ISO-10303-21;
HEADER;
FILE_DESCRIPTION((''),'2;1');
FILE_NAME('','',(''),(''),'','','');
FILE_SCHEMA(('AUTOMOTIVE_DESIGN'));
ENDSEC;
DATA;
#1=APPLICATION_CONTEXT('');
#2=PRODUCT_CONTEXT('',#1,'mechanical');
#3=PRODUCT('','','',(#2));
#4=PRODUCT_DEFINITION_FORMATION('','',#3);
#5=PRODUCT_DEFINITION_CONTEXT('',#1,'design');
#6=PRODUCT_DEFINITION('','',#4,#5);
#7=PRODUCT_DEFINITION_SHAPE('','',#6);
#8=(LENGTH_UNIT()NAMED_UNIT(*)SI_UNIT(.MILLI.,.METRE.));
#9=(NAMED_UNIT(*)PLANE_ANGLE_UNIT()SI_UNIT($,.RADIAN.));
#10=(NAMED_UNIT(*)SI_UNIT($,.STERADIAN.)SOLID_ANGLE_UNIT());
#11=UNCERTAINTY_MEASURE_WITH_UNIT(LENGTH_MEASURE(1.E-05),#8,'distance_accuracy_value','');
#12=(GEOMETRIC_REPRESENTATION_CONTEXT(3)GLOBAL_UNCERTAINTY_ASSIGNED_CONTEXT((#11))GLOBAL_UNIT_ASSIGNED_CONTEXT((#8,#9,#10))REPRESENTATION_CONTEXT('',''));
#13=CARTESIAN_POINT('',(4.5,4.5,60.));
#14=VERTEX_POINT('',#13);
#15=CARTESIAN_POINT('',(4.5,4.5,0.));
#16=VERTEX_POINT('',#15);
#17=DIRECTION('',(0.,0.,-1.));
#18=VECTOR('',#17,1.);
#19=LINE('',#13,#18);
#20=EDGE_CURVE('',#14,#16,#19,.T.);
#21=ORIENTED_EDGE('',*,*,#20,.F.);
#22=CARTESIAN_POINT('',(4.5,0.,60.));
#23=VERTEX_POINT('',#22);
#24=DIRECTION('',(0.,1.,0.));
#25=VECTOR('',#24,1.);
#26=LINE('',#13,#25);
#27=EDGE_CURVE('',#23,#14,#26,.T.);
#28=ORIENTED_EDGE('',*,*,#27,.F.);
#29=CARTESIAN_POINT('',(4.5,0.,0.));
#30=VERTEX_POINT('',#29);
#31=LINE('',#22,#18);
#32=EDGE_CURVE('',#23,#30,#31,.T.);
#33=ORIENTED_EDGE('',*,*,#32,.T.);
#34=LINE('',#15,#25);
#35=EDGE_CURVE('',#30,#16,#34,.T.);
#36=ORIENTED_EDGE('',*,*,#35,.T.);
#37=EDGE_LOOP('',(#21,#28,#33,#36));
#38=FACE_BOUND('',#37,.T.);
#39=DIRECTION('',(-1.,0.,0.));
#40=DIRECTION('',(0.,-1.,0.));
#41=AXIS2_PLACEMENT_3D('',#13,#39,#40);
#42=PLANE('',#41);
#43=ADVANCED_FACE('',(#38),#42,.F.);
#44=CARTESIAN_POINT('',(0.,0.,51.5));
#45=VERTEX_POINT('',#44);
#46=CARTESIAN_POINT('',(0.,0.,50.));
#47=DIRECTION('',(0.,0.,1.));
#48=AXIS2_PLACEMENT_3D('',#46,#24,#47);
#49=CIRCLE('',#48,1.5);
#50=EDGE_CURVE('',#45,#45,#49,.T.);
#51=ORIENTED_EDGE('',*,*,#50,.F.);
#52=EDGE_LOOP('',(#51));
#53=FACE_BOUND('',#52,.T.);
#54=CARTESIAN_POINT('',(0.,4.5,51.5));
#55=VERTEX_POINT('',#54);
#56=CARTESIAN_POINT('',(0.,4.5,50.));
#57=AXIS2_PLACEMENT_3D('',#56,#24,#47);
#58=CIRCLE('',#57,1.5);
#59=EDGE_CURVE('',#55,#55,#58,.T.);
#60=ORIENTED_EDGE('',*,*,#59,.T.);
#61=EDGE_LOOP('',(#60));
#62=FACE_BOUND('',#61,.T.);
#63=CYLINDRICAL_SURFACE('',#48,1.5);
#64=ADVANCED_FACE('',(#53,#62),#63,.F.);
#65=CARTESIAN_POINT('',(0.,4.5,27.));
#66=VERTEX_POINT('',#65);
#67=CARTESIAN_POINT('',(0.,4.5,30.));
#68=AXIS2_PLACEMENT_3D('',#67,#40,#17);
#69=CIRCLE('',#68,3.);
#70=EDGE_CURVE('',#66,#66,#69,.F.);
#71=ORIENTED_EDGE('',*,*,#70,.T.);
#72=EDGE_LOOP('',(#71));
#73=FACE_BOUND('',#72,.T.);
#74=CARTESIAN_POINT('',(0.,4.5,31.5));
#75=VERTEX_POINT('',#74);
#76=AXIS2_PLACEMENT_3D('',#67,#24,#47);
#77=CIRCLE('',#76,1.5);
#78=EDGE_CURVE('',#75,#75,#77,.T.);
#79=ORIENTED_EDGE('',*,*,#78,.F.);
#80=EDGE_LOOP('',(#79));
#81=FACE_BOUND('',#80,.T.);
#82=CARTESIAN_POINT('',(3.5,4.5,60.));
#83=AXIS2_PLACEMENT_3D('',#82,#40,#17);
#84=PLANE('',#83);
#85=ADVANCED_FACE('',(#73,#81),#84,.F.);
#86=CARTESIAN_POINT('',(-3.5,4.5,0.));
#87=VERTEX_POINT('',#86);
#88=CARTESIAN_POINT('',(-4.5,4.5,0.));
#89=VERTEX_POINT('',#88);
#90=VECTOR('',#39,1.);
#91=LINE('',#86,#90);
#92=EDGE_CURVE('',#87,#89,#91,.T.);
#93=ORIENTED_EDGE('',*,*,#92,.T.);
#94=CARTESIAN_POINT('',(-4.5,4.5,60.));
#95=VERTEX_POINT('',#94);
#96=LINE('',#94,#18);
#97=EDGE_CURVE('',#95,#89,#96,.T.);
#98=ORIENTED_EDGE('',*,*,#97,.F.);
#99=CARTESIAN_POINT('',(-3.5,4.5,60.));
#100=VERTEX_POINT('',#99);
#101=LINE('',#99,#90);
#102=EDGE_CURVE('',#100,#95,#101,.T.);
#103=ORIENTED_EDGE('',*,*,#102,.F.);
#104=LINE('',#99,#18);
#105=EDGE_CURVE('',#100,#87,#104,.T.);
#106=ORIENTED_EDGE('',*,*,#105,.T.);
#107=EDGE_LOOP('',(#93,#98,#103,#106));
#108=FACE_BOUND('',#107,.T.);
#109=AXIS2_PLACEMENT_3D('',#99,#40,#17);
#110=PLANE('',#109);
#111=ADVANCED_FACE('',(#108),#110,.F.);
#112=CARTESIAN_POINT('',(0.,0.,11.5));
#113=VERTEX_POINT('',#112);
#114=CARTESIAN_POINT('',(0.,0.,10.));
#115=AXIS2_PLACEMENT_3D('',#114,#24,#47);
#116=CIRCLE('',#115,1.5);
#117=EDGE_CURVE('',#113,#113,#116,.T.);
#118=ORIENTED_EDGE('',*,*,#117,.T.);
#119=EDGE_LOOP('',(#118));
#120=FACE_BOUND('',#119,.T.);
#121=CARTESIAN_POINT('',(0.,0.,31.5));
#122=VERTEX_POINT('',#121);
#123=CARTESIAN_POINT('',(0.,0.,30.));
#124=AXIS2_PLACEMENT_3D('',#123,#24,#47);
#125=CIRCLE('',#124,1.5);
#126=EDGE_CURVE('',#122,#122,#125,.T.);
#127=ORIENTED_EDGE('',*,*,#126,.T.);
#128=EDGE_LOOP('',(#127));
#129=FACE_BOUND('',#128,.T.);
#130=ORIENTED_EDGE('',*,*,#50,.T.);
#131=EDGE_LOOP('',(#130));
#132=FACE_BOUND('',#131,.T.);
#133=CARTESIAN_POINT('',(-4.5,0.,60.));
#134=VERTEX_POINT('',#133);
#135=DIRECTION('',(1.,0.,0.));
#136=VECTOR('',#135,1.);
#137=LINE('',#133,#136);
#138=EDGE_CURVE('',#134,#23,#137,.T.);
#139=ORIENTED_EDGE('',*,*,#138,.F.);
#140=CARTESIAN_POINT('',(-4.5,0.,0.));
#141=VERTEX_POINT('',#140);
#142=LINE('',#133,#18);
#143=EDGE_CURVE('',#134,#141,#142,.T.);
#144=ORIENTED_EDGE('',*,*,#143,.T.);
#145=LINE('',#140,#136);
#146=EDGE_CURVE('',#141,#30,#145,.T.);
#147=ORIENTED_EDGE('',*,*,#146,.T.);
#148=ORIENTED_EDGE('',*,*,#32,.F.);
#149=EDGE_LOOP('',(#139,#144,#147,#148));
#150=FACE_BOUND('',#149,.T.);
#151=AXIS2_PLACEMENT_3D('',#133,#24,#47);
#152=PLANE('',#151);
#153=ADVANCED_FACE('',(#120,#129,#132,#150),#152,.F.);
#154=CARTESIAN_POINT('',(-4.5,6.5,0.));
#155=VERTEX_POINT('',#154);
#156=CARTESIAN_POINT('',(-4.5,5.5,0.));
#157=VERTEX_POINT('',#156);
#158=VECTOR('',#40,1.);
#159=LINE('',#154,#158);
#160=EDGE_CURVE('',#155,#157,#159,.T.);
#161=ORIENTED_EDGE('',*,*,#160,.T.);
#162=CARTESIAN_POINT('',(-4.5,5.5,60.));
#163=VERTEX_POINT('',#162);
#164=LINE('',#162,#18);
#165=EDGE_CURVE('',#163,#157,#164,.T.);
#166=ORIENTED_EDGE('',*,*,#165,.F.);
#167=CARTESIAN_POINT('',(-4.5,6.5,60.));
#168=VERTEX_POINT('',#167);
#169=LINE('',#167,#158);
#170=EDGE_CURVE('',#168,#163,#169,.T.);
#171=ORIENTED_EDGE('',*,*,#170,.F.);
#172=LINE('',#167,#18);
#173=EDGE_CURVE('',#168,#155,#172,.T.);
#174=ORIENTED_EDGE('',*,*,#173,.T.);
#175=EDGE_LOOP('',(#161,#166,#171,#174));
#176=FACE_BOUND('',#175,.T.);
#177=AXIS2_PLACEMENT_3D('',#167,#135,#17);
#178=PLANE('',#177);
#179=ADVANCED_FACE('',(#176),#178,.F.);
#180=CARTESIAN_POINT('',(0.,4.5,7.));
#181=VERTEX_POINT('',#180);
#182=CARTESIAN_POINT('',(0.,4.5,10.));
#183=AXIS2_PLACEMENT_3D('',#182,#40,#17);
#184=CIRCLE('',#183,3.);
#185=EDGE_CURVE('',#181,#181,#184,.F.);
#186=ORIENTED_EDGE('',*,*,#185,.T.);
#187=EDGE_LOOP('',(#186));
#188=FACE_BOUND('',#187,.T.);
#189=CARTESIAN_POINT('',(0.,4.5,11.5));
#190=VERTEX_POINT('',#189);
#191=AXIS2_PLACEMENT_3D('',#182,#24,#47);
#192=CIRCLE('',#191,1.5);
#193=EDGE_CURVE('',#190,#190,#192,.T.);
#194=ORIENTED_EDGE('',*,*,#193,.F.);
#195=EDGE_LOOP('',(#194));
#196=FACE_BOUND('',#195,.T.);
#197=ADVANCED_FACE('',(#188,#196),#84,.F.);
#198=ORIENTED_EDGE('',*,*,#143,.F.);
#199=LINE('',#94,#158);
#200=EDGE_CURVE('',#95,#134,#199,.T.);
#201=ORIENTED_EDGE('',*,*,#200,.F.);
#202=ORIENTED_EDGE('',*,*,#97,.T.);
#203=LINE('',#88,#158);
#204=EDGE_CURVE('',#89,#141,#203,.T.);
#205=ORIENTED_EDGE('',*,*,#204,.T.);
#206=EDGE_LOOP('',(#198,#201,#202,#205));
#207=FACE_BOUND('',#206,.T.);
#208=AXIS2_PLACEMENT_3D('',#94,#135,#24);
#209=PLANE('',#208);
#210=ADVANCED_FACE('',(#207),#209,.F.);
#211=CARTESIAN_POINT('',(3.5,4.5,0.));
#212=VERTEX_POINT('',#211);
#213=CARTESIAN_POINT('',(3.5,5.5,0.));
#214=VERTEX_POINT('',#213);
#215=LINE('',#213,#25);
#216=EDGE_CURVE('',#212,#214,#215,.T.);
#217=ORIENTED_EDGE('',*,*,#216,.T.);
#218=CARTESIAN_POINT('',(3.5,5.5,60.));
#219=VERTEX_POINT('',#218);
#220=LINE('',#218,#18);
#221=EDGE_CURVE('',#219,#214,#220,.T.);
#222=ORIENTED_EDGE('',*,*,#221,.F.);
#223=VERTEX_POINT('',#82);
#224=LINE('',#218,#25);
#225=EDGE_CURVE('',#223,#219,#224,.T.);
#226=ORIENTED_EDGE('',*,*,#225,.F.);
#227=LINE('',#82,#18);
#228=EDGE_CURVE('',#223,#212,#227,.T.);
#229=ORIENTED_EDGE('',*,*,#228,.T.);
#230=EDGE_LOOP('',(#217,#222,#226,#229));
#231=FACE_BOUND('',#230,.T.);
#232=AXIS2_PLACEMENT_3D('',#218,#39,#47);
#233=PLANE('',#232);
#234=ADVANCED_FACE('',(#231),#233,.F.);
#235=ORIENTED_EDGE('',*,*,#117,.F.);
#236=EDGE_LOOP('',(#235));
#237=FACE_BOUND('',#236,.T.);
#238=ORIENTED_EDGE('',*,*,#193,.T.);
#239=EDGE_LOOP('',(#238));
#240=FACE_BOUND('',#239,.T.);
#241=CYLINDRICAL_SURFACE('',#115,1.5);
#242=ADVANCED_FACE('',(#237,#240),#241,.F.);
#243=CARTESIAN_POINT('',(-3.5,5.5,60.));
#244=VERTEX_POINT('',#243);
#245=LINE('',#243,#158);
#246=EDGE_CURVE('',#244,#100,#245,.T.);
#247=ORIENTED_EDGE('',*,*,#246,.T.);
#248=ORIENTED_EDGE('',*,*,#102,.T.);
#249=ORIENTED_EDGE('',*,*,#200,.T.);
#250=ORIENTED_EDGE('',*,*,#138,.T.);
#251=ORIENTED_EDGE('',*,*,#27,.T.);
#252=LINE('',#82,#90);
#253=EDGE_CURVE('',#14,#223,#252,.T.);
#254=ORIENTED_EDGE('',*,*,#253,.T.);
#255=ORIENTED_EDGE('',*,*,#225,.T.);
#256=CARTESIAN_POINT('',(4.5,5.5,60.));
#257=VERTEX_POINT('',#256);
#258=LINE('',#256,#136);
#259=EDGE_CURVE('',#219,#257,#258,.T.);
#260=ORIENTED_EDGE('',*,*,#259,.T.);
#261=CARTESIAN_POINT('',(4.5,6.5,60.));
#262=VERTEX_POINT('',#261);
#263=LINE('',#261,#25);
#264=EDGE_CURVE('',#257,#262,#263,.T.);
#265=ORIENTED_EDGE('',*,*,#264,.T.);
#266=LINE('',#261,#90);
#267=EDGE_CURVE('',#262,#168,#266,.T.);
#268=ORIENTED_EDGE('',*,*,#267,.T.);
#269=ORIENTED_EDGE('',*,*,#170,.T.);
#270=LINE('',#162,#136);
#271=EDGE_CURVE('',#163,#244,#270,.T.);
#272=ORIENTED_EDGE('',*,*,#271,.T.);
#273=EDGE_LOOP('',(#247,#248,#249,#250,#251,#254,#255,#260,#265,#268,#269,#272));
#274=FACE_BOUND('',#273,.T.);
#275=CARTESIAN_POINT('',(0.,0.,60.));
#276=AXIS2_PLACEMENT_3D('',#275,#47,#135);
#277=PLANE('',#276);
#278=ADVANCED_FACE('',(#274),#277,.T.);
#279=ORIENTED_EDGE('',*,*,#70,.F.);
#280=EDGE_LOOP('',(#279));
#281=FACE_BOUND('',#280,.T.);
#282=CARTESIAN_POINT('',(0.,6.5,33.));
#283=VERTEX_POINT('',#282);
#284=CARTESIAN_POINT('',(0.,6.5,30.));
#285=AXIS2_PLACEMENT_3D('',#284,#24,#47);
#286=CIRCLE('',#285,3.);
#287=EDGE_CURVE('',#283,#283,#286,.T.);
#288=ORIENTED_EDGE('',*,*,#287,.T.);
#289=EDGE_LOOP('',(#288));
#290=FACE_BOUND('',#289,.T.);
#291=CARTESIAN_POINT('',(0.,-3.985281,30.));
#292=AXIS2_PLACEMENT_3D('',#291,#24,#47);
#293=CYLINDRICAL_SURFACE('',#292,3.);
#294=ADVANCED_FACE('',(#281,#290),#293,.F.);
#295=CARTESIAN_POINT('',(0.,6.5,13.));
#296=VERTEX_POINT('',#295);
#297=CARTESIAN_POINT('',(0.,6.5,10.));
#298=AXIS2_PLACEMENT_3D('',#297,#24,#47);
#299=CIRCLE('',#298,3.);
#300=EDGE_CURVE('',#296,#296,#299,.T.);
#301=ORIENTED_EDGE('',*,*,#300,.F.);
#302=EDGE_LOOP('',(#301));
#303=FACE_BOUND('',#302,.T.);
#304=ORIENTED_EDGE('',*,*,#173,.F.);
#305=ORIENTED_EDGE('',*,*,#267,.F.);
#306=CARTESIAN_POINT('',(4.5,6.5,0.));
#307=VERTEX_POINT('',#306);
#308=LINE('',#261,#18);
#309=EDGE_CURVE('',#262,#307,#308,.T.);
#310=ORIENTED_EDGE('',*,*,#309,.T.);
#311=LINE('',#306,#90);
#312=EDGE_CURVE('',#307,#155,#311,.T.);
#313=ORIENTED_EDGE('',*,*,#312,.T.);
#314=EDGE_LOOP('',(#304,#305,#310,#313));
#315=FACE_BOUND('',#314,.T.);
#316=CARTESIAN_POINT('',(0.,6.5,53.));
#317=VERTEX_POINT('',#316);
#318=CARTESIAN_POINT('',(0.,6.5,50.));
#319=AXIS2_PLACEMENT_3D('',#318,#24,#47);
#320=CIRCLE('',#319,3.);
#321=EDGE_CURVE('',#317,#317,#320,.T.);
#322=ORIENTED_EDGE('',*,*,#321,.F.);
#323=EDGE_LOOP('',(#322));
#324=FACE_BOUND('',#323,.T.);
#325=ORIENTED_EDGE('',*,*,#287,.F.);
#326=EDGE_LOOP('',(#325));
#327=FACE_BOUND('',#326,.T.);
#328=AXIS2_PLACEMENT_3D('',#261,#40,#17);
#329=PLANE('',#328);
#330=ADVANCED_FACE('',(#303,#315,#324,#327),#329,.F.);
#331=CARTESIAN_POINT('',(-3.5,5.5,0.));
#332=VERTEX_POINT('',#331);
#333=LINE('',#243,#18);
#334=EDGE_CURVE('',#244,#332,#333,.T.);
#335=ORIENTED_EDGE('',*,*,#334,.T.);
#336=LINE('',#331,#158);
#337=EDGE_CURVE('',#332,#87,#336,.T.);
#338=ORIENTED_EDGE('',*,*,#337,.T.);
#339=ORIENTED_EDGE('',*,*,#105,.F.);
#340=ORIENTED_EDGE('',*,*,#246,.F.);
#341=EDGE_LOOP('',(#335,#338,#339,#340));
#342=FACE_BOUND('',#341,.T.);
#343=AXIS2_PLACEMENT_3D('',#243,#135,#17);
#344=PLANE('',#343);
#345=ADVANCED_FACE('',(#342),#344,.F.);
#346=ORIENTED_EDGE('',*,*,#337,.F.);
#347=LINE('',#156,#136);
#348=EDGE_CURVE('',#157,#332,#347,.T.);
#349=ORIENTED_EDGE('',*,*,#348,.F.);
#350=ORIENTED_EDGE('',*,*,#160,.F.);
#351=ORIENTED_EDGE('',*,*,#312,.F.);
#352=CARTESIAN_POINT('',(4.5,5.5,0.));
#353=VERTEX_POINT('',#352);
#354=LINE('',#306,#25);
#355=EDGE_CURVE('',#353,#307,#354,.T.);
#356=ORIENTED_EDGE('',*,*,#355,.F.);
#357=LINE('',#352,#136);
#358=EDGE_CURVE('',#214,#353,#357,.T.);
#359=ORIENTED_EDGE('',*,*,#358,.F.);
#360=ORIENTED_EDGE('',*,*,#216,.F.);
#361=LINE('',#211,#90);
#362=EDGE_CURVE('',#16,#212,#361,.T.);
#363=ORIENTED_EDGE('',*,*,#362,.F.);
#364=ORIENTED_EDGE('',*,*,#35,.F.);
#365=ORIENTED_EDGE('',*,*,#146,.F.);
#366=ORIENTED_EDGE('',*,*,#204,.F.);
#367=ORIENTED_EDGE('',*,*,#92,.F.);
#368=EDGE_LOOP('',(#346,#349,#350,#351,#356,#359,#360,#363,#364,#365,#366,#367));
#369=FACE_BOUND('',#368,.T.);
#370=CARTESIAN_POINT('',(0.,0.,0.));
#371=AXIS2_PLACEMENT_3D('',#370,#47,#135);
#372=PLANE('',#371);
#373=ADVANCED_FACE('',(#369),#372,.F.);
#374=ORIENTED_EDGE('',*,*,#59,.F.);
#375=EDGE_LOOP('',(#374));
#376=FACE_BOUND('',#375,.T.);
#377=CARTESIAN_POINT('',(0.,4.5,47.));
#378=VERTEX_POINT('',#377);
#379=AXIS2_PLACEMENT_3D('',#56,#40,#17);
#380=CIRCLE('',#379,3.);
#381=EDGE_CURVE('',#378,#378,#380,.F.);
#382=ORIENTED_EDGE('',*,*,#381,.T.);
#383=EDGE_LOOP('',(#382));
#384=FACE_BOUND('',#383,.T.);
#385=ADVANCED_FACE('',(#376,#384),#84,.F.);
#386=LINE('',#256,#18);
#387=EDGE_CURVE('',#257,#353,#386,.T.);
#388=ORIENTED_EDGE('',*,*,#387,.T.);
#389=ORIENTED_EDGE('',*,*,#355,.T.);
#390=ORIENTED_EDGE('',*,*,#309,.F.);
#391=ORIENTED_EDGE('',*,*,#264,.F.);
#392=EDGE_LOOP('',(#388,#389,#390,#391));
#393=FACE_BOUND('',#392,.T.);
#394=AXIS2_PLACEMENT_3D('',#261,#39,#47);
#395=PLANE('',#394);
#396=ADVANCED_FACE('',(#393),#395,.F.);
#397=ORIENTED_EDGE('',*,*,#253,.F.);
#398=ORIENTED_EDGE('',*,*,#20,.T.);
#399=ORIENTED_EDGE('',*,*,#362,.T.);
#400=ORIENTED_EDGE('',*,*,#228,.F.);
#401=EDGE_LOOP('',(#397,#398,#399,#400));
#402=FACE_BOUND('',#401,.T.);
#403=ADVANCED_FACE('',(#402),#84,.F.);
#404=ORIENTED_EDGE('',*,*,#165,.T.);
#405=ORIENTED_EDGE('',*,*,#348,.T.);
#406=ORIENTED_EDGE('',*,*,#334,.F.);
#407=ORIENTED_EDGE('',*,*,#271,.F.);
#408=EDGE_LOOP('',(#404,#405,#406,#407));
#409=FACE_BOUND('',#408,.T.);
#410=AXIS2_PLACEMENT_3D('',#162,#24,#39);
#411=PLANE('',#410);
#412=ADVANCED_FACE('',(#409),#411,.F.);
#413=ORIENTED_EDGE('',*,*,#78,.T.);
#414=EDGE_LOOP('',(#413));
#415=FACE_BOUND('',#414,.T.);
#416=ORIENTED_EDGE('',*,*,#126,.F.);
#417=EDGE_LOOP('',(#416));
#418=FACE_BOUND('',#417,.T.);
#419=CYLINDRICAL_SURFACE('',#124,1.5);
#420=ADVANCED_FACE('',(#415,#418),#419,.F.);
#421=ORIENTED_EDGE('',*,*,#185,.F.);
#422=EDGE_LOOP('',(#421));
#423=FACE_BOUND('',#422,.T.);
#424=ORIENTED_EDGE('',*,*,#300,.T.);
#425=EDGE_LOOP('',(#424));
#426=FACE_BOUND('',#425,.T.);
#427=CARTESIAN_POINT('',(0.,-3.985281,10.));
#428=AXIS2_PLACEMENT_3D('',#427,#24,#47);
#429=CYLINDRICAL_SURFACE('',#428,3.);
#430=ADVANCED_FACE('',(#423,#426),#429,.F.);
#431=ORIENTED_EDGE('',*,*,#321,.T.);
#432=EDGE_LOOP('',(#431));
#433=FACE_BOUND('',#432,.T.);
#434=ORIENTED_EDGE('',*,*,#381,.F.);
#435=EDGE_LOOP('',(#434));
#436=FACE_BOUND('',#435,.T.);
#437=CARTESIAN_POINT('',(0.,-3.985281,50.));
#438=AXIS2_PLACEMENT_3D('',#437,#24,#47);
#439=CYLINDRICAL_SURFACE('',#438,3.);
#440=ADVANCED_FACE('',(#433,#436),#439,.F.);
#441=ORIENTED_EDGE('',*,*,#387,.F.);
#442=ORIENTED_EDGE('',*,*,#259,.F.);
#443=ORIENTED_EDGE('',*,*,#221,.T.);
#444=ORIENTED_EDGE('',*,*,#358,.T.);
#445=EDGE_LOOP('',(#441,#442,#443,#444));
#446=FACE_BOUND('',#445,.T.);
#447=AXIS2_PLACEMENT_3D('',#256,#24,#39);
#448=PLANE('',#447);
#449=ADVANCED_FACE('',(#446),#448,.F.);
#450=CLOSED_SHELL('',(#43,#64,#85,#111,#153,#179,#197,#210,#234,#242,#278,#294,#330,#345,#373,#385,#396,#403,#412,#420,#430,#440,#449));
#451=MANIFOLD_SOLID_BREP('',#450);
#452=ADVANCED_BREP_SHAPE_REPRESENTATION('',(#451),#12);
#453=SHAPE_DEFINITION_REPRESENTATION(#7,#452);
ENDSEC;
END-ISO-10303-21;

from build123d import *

# Parameters (mm, degrees)
EXTRUDE1_DEPTH = 60
SKETCH2_R      = 3
EXTRUDE2_DEPTH = 2
SKETCH3_R      = 1.5
EXTRUDE4_DEPTH = 61.336556083


with BuildPart() as part:
    # Sketch1 → Extrude1 (new body)
    with BuildSketch(Plane.XY):
        Polygon((4.5, 6.5), (-4.5, 6.5), (-4.5, 5.5), (-3.5, 5.5), (-3.5, 4.5), (-4.5, 4.5), (-4.5, 0), (4.5, 0), (4.5, 4.5), (3.5, 4.5), (3.5, 5.5), (4.5, 5.5), align=None)
    extrude(amount=EXTRUDE1_DEPTH)

    # Sketch2 → Extrude2 (cut)
    with BuildSketch(Plane(origin=(0, 6.5, 0), x_dir=(1, 0, 0), z_dir=(0, 1, 0))):
        with Locations(Location((0, -10, 0), (0, 0, 270))):
            Circle(SKETCH2_R)
        with Locations(Location((0, -30, 0), (0, 0, 270))):
            Circle(SKETCH2_R)
        with Locations(Location((0, -50, 0), (0, 0, 270))):
            Circle(SKETCH2_R)
        with Locations((0, -70)):
            Circle(SKETCH2_R)
        with Locations((0, -90)):
            Circle(SKETCH2_R)
        with Locations((0, -110)):
            Circle(SKETCH2_R)
        with Locations((0, -130)):
            Circle(SKETCH2_R)
        with Locations((0, -150)):
            Circle(SKETCH2_R)
        with Locations((0, -170)):
            Circle(SKETCH2_R)
        with Locations((0, -190)):
            Circle(SKETCH2_R)
        with Locations((0, -210)):
            Circle(SKETCH2_R)
        with Locations((0, -230)):
            Circle(SKETCH2_R)
        with Locations((0, -250)):
            Circle(SKETCH2_R)
        with Locations((0, -270)):
            Circle(SKETCH2_R)
        with Locations((0, -290)):
            Circle(SKETCH2_R)
        with Locations((0, -310)):
            Circle(SKETCH2_R)
        with Locations((0, -330)):
            Circle(SKETCH2_R)
        with Locations((0, -350)):
            Circle(SKETCH2_R)
        with Locations((0, -370)):
            Circle(SKETCH2_R)
        with Locations((0, -390)):
            Circle(SKETCH2_R)
        with Locations((0, -410)):
            Circle(SKETCH2_R)
        with Locations((0, -430)):
            Circle(SKETCH2_R)
        with Locations((0, -450)):
            Circle(SKETCH2_R)
        with Locations((0, -470)):
            Circle(SKETCH2_R)
        with Locations((0, -490)):
            Circle(SKETCH2_R)
        with Locations((0, -510)):
            Circle(SKETCH2_R)
        with Locations((0, -530)):
            Circle(SKETCH2_R)
        with Locations((0, -550)):
            Circle(SKETCH2_R)
        with Locations((0, -570)):
            Circle(SKETCH2_R)
        with Locations((0, -590)):
            Circle(SKETCH2_R)
        with Locations((0, -610)):
            Circle(SKETCH2_R)
        with Locations((0, -630)):
            Circle(SKETCH2_R)
    extrude(amount=-EXTRUDE2_DEPTH, mode=Mode.SUBTRACT)

    # Sketch3 → Extrude4 (cut, through all)
    with BuildSketch(Plane(origin=(0, 4.5, 0), x_dir=(1, 0, 0), z_dir=(0, 1, 0))):
        with Locations(Location((0, -10, 0), (0, 0, 270))):
            Circle(SKETCH3_R)
        with Locations(Location((0, -30, 0), (0, 0, 270))):
            Circle(SKETCH3_R)
        with Locations(Location((0, -50, 0), (0, 0, 270))):
            Circle(SKETCH3_R)
        with Locations((0, -70)):
            Circle(SKETCH3_R)
        with Locations((0, -90)):
            Circle(SKETCH3_R)
        with Locations((0, -110)):
            Circle(SKETCH3_R)
        with Locations((0, -130)):
            Circle(SKETCH3_R)
        with Locations((0, -150)):
            Circle(SKETCH3_R)
        with Locations((0, -170)):
            Circle(SKETCH3_R)
        with Locations((0, -190)):
            Circle(SKETCH3_R)
        with Locations((0, -210)):
            Circle(SKETCH3_R)
        with Locations((0, -230)):
            Circle(SKETCH3_R)
        with Locations((0, -250)):
            Circle(SKETCH3_R)
        with Locations((0, -270)):
            Circle(SKETCH3_R)
        with Locations((0, -290)):
            Circle(SKETCH3_R)
        with Locations((0, -310)):
            Circle(SKETCH3_R)
        with Locations((0, -330)):
            Circle(SKETCH3_R)
        with Locations((0, -350)):
            Circle(SKETCH3_R)
        with Locations((0, -370)):
            Circle(SKETCH3_R)
        with Locations((0, -390)):
            Circle(SKETCH3_R)
        with Locations((0, -410)):
            Circle(SKETCH3_R)
        with Locations((0, -430)):
            Circle(SKETCH3_R)
        with Locations((0, -450)):
            Circle(SKETCH3_R)
        with Locations((0, -470)):
            Circle(SKETCH3_R)
        with Locations((0, -490)):
            Circle(SKETCH3_R)
        with Locations((0, -510)):
            Circle(SKETCH3_R)
        with Locations((0, -530)):
            Circle(SKETCH3_R)
        with Locations((0, -550)):
            Circle(SKETCH3_R)
        with Locations((0, -570)):
            Circle(SKETCH3_R)
        with Locations((0, -590)):
            Circle(SKETCH3_R)
        with Locations((0, -610)):
            Circle(SKETCH3_R)
        with Locations((0, -630)):
            Circle(SKETCH3_R)
    extrude(amount=-EXTRUDE4_DEPTH, mode=Mode.SUBTRACT)


solid = part.part
